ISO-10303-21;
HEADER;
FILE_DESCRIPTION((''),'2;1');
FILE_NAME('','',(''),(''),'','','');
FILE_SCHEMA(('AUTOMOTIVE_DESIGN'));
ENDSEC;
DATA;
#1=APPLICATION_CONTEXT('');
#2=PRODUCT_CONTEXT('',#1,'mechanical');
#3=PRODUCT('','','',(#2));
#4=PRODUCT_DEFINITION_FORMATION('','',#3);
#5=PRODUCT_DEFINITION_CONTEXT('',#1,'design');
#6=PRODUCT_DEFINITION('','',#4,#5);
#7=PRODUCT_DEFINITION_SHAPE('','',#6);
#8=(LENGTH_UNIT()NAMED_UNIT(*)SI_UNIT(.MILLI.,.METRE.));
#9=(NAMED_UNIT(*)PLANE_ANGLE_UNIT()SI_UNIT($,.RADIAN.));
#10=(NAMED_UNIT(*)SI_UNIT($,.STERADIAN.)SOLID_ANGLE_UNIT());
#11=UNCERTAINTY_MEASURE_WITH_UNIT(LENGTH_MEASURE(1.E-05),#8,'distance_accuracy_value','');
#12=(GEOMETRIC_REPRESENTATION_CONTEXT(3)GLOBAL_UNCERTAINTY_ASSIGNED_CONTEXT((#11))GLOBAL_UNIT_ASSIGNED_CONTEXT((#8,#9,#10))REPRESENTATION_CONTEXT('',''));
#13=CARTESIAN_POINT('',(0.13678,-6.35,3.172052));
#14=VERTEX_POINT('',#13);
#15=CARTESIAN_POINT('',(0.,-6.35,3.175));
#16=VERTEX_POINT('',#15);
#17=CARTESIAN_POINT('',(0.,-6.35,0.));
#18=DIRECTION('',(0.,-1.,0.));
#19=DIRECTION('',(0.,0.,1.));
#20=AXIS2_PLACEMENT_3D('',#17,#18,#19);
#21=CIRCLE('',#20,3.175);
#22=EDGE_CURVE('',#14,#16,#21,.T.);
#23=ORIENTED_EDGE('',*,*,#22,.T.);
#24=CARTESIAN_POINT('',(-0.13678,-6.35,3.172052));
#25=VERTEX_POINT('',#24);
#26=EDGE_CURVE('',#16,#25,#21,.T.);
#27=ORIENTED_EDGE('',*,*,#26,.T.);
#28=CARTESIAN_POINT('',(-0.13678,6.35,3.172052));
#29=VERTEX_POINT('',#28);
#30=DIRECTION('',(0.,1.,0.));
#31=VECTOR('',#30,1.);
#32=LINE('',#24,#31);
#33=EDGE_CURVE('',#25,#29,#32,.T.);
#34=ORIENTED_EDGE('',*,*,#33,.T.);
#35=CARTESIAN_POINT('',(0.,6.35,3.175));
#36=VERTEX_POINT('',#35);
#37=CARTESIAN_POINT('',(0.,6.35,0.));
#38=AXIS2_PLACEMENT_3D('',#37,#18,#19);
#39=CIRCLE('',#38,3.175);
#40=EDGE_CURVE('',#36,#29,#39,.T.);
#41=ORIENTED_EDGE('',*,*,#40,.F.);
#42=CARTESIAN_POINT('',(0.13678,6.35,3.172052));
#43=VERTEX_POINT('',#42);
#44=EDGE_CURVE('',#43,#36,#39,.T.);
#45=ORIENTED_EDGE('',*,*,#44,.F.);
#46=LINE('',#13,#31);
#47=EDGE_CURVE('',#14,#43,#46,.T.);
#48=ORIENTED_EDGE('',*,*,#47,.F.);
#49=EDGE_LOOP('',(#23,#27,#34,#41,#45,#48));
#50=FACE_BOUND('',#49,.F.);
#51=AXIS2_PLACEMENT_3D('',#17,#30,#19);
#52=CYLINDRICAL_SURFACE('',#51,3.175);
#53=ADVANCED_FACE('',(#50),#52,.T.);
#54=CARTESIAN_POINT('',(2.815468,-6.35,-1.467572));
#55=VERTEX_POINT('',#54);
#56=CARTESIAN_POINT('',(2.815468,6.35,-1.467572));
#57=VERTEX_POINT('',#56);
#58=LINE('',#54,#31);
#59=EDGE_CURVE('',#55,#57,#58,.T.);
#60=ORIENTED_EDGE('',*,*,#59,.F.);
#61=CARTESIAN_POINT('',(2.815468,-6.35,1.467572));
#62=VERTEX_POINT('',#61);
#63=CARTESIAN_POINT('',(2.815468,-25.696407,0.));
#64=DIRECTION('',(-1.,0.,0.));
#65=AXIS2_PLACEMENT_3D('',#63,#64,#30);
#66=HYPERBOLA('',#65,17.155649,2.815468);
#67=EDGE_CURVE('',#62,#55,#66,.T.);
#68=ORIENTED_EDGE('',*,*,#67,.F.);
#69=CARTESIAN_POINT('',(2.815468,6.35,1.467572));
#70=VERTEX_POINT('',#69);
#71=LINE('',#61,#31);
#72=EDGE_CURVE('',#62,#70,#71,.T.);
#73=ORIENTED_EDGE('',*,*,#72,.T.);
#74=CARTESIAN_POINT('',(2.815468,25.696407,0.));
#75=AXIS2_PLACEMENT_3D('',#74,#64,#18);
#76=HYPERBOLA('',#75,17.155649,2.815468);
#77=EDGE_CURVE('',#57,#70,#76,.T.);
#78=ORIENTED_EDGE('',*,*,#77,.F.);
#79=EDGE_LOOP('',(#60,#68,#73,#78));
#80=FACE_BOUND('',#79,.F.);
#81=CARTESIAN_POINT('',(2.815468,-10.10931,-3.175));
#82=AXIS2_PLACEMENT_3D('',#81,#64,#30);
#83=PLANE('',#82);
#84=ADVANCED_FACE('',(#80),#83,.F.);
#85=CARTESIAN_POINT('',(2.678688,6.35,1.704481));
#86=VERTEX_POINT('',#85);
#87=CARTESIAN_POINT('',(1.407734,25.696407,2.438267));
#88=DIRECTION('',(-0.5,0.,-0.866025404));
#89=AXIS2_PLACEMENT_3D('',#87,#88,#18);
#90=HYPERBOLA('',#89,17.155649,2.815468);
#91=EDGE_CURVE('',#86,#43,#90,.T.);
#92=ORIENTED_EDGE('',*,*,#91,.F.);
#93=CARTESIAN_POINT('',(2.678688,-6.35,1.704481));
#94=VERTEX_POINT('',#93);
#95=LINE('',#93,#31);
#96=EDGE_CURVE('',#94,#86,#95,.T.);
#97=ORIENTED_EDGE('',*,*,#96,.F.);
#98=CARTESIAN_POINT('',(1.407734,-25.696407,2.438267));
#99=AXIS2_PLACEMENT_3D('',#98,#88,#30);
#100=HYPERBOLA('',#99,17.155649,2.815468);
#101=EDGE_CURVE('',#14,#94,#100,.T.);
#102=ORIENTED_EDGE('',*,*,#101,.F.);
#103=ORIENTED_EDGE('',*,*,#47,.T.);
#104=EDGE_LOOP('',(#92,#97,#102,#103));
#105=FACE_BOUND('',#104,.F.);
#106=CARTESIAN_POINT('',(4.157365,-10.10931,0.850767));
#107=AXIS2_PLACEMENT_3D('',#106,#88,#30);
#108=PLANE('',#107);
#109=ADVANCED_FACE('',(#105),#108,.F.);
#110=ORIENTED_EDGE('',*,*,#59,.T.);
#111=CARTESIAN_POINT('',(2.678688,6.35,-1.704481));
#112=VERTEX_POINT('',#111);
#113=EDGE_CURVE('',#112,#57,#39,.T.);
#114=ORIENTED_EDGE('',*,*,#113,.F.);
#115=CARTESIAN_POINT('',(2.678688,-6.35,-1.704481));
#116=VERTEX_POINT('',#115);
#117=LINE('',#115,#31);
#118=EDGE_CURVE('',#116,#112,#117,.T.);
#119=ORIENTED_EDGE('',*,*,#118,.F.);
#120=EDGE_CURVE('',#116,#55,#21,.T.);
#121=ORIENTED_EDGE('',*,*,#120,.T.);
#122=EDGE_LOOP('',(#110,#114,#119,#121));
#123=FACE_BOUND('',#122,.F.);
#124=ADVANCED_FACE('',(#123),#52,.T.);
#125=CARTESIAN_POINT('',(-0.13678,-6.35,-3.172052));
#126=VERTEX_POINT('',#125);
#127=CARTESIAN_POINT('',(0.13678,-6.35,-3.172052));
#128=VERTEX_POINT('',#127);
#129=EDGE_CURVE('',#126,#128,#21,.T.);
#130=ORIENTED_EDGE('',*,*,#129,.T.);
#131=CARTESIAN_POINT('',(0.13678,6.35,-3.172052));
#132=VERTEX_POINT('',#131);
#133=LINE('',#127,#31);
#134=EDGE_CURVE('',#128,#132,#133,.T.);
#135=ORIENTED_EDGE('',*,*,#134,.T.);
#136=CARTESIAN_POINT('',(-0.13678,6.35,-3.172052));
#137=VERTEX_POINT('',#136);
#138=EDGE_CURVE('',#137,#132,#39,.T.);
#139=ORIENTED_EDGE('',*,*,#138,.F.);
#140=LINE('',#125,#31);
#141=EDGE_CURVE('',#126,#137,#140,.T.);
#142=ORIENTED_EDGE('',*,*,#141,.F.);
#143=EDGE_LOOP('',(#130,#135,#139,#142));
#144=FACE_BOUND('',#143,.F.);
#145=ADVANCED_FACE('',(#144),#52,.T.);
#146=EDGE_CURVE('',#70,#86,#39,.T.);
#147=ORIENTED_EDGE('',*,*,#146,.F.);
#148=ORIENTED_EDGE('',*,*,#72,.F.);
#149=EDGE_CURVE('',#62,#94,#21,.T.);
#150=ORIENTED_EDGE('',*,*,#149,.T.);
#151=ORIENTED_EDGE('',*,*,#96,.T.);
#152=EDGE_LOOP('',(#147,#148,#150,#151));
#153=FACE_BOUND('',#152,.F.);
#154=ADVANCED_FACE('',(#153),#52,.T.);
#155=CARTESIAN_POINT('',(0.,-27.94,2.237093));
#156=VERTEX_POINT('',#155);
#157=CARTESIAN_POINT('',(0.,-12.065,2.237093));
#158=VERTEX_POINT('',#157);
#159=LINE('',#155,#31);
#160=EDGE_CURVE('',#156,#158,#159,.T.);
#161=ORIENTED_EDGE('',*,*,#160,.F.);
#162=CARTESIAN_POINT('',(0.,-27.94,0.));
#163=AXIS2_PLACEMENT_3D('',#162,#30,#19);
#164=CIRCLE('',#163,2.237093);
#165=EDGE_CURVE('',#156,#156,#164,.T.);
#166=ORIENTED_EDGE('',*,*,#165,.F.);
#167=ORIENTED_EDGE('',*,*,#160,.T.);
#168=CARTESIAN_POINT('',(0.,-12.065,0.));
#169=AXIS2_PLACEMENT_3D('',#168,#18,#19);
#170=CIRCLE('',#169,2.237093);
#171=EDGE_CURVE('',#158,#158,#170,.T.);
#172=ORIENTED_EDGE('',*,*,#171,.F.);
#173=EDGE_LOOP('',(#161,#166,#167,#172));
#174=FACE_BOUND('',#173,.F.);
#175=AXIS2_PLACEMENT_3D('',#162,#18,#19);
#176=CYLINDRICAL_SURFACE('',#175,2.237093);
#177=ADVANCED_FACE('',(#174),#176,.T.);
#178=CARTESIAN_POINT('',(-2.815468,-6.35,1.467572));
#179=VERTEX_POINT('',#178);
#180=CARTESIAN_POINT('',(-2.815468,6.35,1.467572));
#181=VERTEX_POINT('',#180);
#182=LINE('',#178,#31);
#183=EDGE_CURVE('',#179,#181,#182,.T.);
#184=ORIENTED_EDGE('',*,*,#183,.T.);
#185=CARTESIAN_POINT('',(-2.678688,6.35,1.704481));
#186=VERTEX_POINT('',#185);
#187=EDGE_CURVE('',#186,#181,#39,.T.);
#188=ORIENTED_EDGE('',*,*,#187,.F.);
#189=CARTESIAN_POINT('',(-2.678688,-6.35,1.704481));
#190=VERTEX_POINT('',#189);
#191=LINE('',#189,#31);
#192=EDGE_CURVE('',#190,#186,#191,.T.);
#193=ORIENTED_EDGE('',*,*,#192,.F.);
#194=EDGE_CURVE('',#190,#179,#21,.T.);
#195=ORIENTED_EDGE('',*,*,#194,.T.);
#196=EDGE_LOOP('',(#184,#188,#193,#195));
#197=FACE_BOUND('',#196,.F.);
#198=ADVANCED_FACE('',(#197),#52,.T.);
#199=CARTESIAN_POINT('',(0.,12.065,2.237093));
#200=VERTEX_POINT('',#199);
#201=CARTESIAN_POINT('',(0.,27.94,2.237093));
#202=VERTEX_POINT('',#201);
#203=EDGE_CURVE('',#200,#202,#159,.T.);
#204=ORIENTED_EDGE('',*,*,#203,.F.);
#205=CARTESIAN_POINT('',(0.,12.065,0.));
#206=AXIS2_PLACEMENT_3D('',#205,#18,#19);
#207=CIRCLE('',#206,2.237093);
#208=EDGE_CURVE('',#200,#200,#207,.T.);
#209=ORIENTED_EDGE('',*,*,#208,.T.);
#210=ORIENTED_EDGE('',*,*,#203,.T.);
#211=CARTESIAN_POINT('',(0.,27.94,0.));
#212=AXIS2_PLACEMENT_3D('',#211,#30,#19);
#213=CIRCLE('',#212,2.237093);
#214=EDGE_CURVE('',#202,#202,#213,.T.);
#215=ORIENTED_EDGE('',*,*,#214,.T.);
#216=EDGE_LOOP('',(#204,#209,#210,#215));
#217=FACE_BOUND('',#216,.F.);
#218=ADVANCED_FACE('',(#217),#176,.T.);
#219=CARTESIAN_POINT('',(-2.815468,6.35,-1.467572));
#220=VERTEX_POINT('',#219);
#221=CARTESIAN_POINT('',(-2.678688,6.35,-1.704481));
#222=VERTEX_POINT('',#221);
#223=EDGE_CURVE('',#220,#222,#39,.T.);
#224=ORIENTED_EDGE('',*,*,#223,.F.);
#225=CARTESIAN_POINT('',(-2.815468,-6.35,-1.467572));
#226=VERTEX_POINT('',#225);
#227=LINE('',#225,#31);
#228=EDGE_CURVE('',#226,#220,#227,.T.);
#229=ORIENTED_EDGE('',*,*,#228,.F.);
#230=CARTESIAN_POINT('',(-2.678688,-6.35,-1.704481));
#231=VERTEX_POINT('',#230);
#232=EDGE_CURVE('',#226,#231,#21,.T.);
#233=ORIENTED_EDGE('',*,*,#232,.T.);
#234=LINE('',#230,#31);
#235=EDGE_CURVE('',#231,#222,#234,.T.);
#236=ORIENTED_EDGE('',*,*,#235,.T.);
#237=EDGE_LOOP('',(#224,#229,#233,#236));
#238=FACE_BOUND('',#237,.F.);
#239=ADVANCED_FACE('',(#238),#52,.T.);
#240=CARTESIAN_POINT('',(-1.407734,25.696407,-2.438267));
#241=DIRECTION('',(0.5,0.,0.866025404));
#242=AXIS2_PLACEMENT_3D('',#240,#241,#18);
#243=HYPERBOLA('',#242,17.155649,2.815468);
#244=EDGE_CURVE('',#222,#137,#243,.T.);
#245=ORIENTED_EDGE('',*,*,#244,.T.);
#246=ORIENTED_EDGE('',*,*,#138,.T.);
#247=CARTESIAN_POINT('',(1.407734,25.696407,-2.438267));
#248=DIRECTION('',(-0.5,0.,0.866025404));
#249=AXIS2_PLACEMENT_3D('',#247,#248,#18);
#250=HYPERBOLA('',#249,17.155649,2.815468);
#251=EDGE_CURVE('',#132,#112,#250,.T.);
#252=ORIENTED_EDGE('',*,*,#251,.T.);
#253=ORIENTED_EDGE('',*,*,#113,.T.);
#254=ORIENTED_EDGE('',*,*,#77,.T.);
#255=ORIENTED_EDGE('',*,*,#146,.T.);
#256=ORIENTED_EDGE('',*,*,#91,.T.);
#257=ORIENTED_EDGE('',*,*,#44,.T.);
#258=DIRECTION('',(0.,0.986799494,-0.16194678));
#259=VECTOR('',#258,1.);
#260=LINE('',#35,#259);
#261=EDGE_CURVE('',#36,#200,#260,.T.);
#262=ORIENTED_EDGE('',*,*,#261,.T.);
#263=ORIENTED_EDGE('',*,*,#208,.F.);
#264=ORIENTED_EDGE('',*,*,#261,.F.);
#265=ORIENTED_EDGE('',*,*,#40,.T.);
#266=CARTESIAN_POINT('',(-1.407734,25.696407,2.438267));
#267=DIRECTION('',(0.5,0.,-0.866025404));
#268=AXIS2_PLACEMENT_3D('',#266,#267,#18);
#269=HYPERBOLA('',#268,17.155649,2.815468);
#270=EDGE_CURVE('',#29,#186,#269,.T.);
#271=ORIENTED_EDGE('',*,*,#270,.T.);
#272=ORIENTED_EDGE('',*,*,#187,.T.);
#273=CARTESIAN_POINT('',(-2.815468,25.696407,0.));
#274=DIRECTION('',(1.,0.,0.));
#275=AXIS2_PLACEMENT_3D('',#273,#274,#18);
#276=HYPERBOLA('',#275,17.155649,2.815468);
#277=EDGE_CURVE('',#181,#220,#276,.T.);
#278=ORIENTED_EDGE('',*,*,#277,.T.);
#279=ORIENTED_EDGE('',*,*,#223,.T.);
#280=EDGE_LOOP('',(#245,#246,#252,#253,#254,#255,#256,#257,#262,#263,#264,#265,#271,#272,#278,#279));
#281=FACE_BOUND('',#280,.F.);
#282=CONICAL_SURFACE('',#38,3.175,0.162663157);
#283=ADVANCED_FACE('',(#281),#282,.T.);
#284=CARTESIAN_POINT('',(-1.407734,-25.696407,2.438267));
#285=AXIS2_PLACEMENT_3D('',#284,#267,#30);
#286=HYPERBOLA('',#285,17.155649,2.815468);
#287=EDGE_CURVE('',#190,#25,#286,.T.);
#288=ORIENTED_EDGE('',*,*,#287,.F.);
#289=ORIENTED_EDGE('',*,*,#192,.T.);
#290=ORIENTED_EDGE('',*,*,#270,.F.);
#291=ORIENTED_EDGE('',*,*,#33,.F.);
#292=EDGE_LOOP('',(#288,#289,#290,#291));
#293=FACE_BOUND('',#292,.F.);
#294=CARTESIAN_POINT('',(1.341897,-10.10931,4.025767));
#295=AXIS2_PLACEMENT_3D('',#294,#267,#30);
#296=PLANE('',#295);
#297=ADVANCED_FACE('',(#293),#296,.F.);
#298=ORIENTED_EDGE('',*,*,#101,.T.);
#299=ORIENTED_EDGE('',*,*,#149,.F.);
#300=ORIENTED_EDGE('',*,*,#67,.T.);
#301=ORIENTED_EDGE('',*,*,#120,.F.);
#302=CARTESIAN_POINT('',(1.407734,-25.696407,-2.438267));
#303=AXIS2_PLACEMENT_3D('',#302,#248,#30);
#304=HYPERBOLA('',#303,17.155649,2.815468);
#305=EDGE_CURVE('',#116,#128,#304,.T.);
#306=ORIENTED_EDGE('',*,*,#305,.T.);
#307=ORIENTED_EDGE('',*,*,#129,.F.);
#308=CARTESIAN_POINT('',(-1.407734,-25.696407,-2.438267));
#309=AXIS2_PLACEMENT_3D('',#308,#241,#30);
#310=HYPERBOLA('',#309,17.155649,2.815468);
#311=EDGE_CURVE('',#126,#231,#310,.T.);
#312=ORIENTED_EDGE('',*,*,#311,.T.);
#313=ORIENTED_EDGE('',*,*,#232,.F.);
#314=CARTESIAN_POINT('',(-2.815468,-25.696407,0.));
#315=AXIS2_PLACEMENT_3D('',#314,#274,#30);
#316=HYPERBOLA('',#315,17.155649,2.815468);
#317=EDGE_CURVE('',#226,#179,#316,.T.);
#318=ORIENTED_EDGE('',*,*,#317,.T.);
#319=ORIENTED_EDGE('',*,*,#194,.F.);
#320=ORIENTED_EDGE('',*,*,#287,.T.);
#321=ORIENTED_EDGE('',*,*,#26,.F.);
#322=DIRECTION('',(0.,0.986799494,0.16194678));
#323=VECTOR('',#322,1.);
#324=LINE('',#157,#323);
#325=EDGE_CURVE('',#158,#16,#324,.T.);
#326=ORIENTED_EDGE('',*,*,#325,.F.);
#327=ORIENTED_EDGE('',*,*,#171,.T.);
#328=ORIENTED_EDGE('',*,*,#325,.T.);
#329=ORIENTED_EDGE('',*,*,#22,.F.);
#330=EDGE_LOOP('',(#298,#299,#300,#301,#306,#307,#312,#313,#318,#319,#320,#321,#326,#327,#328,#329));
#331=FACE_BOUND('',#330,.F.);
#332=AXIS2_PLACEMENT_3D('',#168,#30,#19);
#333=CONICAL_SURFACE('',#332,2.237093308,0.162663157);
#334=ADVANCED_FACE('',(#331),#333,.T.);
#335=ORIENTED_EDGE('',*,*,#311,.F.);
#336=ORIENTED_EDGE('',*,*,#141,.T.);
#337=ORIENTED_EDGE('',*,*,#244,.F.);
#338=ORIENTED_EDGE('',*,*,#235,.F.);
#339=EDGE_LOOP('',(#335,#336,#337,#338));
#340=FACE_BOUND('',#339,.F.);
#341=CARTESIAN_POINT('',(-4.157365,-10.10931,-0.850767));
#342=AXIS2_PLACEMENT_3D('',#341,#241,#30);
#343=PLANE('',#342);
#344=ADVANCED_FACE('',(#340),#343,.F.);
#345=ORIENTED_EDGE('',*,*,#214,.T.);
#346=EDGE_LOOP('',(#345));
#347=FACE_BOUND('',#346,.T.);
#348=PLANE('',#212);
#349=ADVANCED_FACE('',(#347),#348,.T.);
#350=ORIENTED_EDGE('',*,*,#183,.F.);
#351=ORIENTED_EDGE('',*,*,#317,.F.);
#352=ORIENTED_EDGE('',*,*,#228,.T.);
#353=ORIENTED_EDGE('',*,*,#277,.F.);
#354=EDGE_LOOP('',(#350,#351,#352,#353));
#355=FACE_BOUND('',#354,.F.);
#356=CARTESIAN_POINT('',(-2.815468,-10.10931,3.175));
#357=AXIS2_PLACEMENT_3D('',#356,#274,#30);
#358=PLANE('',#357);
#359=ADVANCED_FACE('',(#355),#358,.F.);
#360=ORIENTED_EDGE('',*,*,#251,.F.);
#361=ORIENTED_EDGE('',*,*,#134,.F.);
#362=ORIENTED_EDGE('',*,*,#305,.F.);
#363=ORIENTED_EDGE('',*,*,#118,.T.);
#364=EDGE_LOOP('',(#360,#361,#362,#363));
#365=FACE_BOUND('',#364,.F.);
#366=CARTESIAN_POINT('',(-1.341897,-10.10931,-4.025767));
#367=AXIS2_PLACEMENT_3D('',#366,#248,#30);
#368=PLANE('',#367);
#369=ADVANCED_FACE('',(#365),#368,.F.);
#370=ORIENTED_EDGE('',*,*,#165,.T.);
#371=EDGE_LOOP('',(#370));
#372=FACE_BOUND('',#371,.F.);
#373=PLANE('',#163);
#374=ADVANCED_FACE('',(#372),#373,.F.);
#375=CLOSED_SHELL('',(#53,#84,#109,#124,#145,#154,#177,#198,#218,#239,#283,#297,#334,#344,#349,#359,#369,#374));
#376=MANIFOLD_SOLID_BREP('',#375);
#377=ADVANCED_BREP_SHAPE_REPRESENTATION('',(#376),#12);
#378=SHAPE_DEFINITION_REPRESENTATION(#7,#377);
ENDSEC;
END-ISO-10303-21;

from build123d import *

# Parameters (mm, degrees)
SKETCH3_W                = 0.428843097
SKETCH3_H                = 18.90052945
CUT_EXTRUDE1_DEPTH       = 14.99883388
CIRPATTERN1_COUNT        = 6
BOSS_EXTRUDE1_DEPTH      = 27.94
BOSS_EXTRUDE1_DEPTH_BACK = 27.94
SKETCH5_R                = 2.237093308


with BuildPart() as part:
    # Sketch1 → Revolve1 (revolve)
    with BuildSketch(Plane.XY):
        Polygon((2.237093308, -12.065), (3.175, -6.35), (3.175, 6.35), (2.237093308, 12.065), align=None)
    revolve(axis=Axis((0, 6.041374164, 0), (0, -1, 0)))

    # Sketch3 → Cut-Extrude1 (cut, through all)
    with BuildSketch(Plane.XY.offset(3.175)):
        with Locations((-3.029889302, -0.659045193)):
            Rectangle(SKETCH3_W, SKETCH3_H)
    cut_extrude1 = extrude(amount=-CUT_EXTRUDE1_DEPTH, mode=Mode.SUBTRACT)

    # CirPattern1: Cut-Extrude1 ×6 about axis
    cirpattern1_axis = Axis((0, 6.041374164, 0), (0, 1, 0))
    for i in range(1, CIRPATTERN1_COUNT):
        add(cut_extrude1.rotate(cirpattern1_axis, i * 360 / CIRPATTERN1_COUNT), mode=Mode.SUBTRACT)

    # Sketch5 → Boss-Extrude1 (add, two sides: drawn at the far end of the back side and taken through both)
    with BuildSketch(Plane(origin=(0, 0, 0), x_dir=(1, 0, 0), z_dir=(0, 1, 0)).offset(-BOSS_EXTRUDE1_DEPTH_BACK)):
        Circle(SKETCH5_R)
    extrude(amount=BOSS_EXTRUDE1_DEPTH + BOSS_EXTRUDE1_DEPTH_BACK)


solid = part.part
